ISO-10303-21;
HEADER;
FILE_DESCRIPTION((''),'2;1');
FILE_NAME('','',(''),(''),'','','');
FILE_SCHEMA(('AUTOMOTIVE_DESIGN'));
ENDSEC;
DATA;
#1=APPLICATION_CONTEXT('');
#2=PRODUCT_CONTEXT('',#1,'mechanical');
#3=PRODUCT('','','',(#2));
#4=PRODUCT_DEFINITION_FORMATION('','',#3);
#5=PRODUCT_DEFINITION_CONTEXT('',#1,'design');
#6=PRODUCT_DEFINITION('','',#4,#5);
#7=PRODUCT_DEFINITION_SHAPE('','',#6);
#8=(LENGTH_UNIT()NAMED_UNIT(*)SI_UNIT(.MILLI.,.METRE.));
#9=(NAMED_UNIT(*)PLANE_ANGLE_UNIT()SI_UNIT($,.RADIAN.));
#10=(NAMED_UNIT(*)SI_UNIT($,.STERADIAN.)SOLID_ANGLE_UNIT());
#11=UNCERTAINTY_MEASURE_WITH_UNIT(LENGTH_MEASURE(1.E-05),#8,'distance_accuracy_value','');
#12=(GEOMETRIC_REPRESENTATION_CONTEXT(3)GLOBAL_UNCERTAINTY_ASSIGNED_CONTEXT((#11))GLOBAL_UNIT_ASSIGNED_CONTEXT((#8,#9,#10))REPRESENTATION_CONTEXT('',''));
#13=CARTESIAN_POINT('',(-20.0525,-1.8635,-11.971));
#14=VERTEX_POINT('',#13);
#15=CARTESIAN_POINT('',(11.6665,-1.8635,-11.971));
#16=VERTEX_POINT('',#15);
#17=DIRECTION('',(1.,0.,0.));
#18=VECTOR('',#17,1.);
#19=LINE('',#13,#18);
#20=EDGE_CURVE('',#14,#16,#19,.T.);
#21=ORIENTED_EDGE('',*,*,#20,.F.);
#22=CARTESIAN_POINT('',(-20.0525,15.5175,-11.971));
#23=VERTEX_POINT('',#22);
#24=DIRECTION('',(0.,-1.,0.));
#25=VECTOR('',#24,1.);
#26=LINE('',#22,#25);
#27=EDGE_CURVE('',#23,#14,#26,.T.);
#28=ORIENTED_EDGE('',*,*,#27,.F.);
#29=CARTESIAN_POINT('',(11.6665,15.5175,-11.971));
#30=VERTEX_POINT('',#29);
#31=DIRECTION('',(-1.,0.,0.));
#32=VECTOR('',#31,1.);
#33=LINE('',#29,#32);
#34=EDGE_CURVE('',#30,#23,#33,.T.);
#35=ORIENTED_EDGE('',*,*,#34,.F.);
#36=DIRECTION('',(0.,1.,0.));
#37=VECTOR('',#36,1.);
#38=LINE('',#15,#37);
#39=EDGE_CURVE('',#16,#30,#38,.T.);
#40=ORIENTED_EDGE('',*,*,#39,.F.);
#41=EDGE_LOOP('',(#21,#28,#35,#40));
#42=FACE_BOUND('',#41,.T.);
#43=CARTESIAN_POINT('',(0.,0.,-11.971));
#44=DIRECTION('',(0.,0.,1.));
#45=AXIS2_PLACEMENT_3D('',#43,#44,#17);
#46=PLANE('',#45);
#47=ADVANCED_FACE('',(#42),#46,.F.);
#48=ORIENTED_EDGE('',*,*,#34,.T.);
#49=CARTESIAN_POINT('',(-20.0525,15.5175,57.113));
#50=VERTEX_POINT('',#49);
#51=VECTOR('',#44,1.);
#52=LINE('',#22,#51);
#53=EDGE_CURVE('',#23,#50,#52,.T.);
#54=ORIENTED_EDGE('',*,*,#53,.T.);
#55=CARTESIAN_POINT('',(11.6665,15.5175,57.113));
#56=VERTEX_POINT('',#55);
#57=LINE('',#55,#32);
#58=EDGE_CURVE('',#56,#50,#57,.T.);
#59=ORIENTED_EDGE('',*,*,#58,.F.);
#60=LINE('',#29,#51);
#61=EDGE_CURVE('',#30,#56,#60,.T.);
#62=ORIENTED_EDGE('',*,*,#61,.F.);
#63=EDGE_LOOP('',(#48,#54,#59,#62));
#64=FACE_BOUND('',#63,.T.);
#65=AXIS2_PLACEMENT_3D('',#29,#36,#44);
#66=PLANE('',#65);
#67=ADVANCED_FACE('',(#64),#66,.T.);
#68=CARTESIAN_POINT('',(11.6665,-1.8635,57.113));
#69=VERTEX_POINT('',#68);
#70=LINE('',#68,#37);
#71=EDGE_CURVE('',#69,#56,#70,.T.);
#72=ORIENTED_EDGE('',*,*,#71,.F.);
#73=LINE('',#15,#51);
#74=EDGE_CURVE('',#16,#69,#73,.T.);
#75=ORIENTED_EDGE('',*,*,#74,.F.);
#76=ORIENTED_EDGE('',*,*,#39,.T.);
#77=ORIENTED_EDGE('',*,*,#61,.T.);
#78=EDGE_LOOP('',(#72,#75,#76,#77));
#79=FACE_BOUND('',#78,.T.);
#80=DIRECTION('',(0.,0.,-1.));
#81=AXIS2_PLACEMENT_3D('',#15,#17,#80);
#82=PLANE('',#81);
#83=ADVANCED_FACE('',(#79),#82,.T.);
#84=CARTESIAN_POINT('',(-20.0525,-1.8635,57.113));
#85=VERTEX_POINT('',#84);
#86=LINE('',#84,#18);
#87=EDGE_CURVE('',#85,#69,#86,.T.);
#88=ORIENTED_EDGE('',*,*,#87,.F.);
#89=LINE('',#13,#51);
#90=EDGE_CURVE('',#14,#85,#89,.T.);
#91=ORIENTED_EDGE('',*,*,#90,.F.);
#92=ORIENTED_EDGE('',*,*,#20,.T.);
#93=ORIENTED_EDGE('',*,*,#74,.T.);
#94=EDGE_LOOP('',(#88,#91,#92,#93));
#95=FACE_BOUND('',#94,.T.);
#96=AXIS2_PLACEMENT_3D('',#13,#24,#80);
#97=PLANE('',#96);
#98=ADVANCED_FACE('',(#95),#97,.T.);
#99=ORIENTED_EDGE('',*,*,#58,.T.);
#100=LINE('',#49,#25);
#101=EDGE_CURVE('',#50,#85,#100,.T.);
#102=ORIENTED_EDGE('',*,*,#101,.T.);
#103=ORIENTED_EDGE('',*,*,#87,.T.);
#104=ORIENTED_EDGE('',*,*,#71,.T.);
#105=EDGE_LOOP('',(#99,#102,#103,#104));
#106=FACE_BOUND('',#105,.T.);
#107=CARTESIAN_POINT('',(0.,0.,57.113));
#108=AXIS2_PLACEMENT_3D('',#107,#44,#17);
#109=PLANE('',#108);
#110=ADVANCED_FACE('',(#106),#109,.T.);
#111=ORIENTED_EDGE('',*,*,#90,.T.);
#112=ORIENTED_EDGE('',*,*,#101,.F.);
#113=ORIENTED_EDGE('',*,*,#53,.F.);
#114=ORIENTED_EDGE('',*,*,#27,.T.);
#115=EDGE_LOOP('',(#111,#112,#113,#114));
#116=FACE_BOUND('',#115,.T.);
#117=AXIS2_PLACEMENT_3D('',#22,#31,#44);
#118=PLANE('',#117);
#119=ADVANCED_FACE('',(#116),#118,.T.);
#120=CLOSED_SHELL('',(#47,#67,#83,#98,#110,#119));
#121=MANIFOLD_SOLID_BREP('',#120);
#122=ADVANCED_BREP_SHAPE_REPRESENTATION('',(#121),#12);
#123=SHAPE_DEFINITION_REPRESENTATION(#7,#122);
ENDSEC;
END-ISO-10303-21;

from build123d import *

# Parameters (mm, degrees)
CURVEBOSS_DEPTH      = 57.113
CURVEBOSS_DEPTH_BACK = 11.971
CURVESKETCH_W        = 31.719
CURVESKETCH_H        = 17.381


with BuildPart() as part:
    # CurveSketch → CurveBoss (new, two sides: drawn at the far end of the back side and taken through both)
    with BuildSketch(Plane.XY.offset(-CURVEBOSS_DEPTH_BACK)):
        with Locations((-4.193, 6.827)):
            Rectangle(CURVESKETCH_W, CURVESKETCH_H)
    extrude(amount=CURVEBOSS_DEPTH + CURVEBOSS_DEPTH_BACK)


solid = part.part
